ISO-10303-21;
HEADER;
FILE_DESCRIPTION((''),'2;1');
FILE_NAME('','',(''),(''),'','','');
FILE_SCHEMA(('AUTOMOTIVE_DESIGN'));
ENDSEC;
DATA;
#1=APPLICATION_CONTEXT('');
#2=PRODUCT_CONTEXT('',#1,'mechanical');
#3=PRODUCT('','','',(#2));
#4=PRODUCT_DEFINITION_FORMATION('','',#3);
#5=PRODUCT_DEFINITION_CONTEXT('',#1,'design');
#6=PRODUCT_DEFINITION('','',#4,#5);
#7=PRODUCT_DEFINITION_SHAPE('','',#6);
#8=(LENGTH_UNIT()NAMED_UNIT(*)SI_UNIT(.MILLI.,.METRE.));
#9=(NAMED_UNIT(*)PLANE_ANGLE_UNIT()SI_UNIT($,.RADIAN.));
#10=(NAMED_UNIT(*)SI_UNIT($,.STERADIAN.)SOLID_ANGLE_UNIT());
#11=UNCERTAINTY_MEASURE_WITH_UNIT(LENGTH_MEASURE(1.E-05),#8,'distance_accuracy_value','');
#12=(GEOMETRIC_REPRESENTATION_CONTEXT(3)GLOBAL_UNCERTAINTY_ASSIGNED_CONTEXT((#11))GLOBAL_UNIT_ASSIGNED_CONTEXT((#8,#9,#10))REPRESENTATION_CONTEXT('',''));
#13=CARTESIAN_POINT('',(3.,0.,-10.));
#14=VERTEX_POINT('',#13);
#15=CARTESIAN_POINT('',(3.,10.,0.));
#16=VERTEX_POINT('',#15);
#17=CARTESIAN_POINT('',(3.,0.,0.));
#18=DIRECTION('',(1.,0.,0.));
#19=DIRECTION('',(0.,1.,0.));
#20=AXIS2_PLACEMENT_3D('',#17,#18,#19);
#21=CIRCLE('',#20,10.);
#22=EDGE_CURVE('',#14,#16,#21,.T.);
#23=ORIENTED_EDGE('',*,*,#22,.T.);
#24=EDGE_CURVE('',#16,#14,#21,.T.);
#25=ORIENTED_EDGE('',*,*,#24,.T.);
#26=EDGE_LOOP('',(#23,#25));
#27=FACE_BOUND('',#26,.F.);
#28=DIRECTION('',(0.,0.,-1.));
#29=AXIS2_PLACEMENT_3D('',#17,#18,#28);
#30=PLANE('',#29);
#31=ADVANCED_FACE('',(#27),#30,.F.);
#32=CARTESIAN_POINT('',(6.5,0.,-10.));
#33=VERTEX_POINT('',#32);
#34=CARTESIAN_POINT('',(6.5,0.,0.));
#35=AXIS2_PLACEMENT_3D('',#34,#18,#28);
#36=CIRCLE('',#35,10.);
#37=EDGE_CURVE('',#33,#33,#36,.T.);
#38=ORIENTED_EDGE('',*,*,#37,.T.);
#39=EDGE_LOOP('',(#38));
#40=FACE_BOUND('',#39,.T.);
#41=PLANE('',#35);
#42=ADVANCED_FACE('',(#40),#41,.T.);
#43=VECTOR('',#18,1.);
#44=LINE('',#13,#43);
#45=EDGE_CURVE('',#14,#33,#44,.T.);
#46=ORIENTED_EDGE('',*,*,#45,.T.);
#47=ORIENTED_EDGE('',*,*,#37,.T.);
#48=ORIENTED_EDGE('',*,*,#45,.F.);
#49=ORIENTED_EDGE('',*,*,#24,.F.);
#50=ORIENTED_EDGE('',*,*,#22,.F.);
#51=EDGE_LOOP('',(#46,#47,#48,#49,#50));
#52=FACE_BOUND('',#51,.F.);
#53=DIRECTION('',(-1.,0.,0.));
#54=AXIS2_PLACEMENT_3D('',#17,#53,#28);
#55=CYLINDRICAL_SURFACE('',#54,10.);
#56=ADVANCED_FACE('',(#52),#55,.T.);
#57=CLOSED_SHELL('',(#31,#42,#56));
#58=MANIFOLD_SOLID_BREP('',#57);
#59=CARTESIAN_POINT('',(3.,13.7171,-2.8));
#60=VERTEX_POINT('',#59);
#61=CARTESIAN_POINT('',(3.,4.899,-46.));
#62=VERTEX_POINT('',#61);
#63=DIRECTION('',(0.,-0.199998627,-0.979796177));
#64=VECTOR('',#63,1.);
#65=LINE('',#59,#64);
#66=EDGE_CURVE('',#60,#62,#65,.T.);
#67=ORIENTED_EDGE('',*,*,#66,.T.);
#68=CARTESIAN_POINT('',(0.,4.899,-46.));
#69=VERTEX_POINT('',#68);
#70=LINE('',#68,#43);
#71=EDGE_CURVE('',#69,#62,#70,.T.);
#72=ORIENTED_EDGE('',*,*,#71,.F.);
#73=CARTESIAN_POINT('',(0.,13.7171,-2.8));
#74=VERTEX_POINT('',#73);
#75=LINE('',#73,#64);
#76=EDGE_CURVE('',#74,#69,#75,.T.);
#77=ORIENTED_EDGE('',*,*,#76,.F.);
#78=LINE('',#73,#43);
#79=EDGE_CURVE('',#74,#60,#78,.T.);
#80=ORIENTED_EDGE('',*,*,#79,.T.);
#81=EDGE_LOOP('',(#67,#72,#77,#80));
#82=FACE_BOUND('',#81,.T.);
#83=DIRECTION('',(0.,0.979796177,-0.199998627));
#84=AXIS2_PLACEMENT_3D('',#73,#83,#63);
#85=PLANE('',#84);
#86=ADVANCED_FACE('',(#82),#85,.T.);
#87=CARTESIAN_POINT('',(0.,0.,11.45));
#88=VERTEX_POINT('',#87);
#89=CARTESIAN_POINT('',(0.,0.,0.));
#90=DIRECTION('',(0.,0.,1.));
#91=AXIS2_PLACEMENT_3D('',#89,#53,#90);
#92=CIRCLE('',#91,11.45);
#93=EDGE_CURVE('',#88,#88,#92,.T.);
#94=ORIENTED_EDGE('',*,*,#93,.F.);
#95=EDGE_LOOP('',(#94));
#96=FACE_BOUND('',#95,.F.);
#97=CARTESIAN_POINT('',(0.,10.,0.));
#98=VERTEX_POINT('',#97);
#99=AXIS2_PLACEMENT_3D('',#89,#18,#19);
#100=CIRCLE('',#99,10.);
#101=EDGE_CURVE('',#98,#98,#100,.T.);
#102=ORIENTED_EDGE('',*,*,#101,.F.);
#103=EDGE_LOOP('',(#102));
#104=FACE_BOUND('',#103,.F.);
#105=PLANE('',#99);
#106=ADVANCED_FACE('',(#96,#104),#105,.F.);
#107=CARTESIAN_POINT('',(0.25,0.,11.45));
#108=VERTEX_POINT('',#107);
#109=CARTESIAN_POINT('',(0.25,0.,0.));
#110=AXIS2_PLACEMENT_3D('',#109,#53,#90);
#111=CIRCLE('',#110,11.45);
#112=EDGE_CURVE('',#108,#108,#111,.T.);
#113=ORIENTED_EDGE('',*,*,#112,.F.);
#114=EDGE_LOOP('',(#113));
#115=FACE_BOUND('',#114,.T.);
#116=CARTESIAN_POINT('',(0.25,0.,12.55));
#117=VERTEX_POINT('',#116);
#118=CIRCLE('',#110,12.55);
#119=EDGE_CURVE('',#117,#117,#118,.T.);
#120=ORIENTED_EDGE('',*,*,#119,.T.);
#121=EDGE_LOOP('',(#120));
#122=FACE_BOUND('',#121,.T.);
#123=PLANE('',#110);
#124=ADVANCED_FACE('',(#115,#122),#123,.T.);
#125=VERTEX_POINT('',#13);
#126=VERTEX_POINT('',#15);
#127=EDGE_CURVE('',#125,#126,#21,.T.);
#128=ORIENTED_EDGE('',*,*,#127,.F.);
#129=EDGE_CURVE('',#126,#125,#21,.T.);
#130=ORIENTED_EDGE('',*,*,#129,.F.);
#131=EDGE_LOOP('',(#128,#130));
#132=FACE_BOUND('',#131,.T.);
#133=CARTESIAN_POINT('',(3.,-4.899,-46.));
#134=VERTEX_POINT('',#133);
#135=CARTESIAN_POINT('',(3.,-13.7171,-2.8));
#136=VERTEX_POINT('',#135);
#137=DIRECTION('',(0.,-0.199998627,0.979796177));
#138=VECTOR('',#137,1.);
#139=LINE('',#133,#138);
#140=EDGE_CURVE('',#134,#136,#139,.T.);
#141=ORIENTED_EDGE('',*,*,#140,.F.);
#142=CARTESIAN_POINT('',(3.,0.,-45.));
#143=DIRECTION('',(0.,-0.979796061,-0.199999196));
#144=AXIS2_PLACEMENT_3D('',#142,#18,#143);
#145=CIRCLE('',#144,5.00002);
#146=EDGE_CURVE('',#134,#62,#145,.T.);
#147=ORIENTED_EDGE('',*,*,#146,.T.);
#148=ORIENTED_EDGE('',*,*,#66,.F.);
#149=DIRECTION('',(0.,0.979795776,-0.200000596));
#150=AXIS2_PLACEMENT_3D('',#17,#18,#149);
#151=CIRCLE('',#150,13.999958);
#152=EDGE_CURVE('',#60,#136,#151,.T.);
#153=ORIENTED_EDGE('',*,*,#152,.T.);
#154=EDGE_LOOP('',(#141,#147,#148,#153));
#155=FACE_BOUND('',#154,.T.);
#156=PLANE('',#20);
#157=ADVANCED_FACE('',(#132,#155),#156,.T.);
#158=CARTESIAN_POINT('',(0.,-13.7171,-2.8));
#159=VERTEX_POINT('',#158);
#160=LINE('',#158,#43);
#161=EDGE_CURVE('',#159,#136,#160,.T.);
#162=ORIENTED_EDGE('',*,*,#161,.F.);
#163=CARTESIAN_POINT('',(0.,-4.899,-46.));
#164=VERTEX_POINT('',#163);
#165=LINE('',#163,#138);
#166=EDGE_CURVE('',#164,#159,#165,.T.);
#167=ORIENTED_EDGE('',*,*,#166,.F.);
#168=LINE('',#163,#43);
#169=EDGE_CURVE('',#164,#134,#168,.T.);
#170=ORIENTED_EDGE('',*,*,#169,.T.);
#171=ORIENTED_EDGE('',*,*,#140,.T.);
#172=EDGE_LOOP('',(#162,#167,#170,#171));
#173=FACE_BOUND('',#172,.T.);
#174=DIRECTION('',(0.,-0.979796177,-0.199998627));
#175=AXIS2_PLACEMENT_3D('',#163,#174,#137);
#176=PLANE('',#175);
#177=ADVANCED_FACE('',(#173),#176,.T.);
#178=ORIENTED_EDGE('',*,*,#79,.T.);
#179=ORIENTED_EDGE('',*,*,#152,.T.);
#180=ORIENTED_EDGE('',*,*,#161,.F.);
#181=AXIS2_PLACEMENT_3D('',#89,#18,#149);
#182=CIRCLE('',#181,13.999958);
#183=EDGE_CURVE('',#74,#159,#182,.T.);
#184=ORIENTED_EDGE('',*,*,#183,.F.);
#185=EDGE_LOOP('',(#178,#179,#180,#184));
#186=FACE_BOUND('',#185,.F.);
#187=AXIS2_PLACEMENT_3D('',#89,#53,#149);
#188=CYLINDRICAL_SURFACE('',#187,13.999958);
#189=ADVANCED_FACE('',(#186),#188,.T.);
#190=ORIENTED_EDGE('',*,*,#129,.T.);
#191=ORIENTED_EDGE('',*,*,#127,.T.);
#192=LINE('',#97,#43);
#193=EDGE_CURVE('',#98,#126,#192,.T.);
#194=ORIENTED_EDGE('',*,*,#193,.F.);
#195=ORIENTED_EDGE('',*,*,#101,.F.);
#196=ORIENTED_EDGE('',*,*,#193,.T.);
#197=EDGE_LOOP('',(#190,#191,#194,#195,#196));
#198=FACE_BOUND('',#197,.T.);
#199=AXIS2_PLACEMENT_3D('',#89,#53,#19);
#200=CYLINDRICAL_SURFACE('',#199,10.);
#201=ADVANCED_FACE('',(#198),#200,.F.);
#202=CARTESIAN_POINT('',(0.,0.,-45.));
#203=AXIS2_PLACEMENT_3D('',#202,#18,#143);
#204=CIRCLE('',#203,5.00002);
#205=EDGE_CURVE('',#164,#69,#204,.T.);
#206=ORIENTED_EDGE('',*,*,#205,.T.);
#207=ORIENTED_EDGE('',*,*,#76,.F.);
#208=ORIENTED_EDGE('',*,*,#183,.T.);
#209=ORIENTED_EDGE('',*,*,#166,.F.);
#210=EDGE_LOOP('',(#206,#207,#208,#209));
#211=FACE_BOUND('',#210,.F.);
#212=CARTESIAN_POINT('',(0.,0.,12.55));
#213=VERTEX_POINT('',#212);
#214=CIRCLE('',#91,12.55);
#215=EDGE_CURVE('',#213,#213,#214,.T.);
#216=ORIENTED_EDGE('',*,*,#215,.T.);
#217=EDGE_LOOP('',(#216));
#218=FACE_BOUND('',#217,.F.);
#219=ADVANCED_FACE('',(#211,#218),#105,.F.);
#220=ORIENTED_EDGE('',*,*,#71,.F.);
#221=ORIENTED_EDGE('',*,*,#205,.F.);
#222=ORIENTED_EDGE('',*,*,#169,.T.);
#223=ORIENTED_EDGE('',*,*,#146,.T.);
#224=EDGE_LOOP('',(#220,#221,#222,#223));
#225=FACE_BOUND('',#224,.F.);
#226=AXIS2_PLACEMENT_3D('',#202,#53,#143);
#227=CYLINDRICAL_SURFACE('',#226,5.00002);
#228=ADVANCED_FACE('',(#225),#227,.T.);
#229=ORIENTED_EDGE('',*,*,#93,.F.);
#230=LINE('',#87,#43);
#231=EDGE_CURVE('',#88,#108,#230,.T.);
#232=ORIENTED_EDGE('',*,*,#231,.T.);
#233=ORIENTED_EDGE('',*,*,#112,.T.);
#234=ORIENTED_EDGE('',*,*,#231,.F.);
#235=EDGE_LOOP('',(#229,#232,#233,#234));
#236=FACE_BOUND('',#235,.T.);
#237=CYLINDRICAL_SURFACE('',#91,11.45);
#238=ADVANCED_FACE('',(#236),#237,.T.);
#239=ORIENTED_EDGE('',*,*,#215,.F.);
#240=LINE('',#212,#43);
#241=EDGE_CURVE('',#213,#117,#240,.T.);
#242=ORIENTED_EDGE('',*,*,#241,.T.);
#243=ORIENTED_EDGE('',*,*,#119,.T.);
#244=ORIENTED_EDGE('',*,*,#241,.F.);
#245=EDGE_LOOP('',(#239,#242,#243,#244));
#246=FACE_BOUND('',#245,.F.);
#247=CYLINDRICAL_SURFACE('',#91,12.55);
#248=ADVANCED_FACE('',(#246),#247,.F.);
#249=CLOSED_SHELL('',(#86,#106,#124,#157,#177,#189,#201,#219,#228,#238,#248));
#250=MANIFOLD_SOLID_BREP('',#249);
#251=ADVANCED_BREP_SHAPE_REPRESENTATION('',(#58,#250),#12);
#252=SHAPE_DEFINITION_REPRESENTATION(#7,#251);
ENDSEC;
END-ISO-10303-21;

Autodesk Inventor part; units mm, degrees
ref_plane "YZ Plane" through (0, 0, 0) normal (1, 0, 0) x (0, 1, 0)
ref_plane "XZ Plane" through (0, 0, 0) normal (0, 1, 0) x (-1, 0, 0)
ref_plane "XY Plane" through (0, 0, 0) normal (0, 0, 1) x (1, 0, 0)
sketch "スケッチ1" plane through (0, 0, 0) normal (1, 0, 0) x (0, 1, 0)
  circle A0 centre (0, 0) radius 10
  line L0 (0, 0) -> (0, -45) construction
  arc A1 (0, -40) -> (-4.899, -46) centre (0, -45) ccw construction
  arc A2 (13.7171, -2.8) -> (-13.7171, -2.8) centre (0, 0) ccw
  line L1 (13.7171, -2.8) -> (4.899, -46)
  line L2 (-4.899, -46) -> (-13.7171, -2.8)
  arc A3 (0, -14) -> (13.7171, -2.8) centre (0, 0) ccw construction
  arc A4 (-13.7171, -2.8) -> (0, -14) centre (0, 0) ccw construction
  arc A5 (4.899, -46) -> (0, -40) centre (0, -45) ccw construction
  arc A6 (-4.899, -46) -> (4.899, -46) centre (0, -45) ccw
  dimension "d0" = 20
  dimension "d1" = 28
  dimension "d2" = 10
  dimension "d3" = 45
extrude "押し出し1" add sketch "スケッチ1" along normal blind 3
sketch "スケッチ2" plane through (3, 0, 0) normal (1, 0, 0) x (0, 0, -1)
  circle A0 centre (0, 0) radius 7.5
  circle A1 centre (0, 0) radius 10 projected
  dimension "d7" = 15
extrude "押し出し2" add sketch "スケッチ2" along normal blind 3.5 contours A0 | A1
sketch "スケッチ3" plane through (0, 0, 0) normal (-1, 0, 0) x (0, 0, 1)
  circle A0 centre (0, 0) radius 12 construction
  circle A1 centre (0, 0) radius 12.55
  circle A2 centre (0, 0) radius 11.45
  dimension "d10" = 24
  dimension "d11" = 0.55
  dimension "d12" = 0.55
extrude "押し出し3" cut sketch "スケッチ3" against normal blind 0.25
properties part number "ANKLE_DRIVER_LOD"
